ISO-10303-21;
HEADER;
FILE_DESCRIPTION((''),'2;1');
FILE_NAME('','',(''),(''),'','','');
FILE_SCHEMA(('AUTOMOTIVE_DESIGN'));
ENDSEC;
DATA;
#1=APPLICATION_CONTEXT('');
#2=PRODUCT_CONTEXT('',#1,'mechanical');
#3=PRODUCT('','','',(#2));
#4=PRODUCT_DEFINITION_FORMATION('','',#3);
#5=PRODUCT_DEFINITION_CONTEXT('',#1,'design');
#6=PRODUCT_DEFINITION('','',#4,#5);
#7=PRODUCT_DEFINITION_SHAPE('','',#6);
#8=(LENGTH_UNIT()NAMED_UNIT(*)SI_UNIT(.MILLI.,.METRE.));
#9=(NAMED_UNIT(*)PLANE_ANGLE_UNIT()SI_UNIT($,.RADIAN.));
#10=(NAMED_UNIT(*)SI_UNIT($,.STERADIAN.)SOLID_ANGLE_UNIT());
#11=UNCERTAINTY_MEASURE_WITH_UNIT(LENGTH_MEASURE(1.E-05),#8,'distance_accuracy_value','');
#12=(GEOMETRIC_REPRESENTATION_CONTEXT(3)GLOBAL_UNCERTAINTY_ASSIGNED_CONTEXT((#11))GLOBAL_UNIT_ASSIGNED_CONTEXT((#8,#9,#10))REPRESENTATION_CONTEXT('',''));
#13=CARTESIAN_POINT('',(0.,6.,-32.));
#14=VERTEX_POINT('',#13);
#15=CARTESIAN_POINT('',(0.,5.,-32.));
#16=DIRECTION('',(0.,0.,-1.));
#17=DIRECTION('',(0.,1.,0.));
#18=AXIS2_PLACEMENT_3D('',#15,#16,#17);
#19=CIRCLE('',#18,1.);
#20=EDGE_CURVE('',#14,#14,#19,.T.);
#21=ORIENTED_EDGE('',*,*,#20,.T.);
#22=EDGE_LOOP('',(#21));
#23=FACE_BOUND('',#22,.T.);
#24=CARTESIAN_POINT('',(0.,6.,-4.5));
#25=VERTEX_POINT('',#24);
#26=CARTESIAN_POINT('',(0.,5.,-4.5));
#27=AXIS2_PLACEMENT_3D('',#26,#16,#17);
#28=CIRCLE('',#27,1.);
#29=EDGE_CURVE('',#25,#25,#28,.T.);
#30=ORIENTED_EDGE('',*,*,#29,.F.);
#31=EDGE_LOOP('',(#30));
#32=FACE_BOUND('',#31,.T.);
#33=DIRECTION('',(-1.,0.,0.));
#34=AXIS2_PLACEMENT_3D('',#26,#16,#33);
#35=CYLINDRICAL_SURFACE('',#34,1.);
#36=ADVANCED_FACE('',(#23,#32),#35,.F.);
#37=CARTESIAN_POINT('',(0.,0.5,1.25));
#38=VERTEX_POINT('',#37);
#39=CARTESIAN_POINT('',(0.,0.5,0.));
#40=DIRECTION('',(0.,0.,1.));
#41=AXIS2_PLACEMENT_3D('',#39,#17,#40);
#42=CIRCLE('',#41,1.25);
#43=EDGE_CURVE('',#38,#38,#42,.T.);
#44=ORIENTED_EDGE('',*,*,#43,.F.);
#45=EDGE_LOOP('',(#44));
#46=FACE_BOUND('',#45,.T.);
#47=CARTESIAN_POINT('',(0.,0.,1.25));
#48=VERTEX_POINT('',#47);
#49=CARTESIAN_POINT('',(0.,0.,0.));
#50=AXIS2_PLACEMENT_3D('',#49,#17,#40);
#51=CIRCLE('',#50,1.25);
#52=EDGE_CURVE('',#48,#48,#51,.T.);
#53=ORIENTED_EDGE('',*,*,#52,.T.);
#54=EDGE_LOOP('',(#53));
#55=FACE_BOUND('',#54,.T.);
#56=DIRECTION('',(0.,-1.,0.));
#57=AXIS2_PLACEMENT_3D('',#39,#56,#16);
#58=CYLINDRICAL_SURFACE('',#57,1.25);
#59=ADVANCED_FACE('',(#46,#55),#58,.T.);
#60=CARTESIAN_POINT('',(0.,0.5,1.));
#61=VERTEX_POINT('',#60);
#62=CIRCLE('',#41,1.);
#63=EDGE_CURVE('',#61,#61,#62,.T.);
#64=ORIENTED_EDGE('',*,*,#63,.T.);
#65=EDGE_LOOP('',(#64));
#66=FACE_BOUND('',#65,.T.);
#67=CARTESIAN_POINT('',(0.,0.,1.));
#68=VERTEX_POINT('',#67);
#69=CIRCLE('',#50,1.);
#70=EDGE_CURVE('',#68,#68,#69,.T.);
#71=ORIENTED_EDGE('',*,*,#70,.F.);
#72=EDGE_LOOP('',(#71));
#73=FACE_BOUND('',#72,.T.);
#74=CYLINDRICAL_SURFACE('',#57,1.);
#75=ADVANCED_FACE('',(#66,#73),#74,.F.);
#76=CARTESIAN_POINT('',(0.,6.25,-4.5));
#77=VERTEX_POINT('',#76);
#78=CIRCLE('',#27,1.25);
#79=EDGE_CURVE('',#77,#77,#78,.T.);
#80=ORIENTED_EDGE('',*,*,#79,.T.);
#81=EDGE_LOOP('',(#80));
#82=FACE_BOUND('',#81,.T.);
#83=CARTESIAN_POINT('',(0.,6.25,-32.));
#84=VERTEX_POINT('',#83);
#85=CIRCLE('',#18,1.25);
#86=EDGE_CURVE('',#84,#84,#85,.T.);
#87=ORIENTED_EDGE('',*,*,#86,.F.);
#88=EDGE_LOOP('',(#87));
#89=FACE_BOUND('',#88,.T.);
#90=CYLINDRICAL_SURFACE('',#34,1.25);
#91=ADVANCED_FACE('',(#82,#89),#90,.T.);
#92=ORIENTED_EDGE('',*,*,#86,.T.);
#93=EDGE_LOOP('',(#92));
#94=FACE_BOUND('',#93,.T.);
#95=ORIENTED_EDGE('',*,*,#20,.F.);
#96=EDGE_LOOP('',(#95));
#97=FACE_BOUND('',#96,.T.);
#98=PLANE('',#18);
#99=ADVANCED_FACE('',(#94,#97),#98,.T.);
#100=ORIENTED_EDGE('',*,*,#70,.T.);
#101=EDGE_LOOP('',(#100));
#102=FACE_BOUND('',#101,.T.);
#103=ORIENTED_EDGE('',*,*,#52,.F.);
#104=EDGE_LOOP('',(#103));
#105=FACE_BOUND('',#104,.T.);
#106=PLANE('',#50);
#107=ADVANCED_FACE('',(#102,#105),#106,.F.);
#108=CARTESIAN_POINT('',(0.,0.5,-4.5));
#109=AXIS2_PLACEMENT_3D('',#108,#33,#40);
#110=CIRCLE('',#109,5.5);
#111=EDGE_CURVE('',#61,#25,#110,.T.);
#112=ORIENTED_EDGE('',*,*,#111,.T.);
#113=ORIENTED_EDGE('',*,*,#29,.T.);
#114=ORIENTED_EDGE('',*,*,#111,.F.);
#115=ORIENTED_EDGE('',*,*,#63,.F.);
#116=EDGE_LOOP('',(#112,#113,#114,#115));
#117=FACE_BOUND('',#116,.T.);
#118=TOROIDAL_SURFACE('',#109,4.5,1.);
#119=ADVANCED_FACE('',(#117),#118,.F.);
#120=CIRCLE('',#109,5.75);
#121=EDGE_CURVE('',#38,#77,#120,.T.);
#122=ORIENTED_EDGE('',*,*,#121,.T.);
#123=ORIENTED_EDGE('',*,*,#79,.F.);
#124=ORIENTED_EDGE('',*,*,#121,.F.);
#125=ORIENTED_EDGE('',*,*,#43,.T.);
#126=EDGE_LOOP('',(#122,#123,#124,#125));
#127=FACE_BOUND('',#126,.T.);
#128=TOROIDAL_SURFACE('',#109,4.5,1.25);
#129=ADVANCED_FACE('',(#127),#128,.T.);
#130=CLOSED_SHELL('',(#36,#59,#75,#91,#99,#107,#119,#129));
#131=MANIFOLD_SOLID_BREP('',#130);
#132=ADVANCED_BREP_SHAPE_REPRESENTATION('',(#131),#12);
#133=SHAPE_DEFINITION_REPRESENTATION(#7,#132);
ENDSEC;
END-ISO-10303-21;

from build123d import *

# Parameters (mm, degrees)
SKIZZE2_R   = 1.25
SKIZZE2_R_2 = 1


with BuildPart() as part:
    # Austragung1: sweep along a path in Skizze1
    with BuildLine(Plane(origin=(0, 0, 0), x_dir=(0, 0, -1), z_dir=(1, 0, 0))) as austragung1_path:
        Line((0, 0), (0, 0.5))
        ThreePointArc((0, 0.5), (1.318019485, 3.681980515), (4.5, 5))
        Line((4.5, 5), (32, 5))
    # Skizze2 → Austragung1 (sweep)
    with BuildSketch(Plane(origin=(0, 0, 0), x_dir=(1, 0, 0), z_dir=(0, 1, 0))):
        Circle(SKIZZE2_R)
        Circle(SKIZZE2_R_2, mode=Mode.SUBTRACT)
    sweep(path=austragung1_path.line)


solid = part.part
